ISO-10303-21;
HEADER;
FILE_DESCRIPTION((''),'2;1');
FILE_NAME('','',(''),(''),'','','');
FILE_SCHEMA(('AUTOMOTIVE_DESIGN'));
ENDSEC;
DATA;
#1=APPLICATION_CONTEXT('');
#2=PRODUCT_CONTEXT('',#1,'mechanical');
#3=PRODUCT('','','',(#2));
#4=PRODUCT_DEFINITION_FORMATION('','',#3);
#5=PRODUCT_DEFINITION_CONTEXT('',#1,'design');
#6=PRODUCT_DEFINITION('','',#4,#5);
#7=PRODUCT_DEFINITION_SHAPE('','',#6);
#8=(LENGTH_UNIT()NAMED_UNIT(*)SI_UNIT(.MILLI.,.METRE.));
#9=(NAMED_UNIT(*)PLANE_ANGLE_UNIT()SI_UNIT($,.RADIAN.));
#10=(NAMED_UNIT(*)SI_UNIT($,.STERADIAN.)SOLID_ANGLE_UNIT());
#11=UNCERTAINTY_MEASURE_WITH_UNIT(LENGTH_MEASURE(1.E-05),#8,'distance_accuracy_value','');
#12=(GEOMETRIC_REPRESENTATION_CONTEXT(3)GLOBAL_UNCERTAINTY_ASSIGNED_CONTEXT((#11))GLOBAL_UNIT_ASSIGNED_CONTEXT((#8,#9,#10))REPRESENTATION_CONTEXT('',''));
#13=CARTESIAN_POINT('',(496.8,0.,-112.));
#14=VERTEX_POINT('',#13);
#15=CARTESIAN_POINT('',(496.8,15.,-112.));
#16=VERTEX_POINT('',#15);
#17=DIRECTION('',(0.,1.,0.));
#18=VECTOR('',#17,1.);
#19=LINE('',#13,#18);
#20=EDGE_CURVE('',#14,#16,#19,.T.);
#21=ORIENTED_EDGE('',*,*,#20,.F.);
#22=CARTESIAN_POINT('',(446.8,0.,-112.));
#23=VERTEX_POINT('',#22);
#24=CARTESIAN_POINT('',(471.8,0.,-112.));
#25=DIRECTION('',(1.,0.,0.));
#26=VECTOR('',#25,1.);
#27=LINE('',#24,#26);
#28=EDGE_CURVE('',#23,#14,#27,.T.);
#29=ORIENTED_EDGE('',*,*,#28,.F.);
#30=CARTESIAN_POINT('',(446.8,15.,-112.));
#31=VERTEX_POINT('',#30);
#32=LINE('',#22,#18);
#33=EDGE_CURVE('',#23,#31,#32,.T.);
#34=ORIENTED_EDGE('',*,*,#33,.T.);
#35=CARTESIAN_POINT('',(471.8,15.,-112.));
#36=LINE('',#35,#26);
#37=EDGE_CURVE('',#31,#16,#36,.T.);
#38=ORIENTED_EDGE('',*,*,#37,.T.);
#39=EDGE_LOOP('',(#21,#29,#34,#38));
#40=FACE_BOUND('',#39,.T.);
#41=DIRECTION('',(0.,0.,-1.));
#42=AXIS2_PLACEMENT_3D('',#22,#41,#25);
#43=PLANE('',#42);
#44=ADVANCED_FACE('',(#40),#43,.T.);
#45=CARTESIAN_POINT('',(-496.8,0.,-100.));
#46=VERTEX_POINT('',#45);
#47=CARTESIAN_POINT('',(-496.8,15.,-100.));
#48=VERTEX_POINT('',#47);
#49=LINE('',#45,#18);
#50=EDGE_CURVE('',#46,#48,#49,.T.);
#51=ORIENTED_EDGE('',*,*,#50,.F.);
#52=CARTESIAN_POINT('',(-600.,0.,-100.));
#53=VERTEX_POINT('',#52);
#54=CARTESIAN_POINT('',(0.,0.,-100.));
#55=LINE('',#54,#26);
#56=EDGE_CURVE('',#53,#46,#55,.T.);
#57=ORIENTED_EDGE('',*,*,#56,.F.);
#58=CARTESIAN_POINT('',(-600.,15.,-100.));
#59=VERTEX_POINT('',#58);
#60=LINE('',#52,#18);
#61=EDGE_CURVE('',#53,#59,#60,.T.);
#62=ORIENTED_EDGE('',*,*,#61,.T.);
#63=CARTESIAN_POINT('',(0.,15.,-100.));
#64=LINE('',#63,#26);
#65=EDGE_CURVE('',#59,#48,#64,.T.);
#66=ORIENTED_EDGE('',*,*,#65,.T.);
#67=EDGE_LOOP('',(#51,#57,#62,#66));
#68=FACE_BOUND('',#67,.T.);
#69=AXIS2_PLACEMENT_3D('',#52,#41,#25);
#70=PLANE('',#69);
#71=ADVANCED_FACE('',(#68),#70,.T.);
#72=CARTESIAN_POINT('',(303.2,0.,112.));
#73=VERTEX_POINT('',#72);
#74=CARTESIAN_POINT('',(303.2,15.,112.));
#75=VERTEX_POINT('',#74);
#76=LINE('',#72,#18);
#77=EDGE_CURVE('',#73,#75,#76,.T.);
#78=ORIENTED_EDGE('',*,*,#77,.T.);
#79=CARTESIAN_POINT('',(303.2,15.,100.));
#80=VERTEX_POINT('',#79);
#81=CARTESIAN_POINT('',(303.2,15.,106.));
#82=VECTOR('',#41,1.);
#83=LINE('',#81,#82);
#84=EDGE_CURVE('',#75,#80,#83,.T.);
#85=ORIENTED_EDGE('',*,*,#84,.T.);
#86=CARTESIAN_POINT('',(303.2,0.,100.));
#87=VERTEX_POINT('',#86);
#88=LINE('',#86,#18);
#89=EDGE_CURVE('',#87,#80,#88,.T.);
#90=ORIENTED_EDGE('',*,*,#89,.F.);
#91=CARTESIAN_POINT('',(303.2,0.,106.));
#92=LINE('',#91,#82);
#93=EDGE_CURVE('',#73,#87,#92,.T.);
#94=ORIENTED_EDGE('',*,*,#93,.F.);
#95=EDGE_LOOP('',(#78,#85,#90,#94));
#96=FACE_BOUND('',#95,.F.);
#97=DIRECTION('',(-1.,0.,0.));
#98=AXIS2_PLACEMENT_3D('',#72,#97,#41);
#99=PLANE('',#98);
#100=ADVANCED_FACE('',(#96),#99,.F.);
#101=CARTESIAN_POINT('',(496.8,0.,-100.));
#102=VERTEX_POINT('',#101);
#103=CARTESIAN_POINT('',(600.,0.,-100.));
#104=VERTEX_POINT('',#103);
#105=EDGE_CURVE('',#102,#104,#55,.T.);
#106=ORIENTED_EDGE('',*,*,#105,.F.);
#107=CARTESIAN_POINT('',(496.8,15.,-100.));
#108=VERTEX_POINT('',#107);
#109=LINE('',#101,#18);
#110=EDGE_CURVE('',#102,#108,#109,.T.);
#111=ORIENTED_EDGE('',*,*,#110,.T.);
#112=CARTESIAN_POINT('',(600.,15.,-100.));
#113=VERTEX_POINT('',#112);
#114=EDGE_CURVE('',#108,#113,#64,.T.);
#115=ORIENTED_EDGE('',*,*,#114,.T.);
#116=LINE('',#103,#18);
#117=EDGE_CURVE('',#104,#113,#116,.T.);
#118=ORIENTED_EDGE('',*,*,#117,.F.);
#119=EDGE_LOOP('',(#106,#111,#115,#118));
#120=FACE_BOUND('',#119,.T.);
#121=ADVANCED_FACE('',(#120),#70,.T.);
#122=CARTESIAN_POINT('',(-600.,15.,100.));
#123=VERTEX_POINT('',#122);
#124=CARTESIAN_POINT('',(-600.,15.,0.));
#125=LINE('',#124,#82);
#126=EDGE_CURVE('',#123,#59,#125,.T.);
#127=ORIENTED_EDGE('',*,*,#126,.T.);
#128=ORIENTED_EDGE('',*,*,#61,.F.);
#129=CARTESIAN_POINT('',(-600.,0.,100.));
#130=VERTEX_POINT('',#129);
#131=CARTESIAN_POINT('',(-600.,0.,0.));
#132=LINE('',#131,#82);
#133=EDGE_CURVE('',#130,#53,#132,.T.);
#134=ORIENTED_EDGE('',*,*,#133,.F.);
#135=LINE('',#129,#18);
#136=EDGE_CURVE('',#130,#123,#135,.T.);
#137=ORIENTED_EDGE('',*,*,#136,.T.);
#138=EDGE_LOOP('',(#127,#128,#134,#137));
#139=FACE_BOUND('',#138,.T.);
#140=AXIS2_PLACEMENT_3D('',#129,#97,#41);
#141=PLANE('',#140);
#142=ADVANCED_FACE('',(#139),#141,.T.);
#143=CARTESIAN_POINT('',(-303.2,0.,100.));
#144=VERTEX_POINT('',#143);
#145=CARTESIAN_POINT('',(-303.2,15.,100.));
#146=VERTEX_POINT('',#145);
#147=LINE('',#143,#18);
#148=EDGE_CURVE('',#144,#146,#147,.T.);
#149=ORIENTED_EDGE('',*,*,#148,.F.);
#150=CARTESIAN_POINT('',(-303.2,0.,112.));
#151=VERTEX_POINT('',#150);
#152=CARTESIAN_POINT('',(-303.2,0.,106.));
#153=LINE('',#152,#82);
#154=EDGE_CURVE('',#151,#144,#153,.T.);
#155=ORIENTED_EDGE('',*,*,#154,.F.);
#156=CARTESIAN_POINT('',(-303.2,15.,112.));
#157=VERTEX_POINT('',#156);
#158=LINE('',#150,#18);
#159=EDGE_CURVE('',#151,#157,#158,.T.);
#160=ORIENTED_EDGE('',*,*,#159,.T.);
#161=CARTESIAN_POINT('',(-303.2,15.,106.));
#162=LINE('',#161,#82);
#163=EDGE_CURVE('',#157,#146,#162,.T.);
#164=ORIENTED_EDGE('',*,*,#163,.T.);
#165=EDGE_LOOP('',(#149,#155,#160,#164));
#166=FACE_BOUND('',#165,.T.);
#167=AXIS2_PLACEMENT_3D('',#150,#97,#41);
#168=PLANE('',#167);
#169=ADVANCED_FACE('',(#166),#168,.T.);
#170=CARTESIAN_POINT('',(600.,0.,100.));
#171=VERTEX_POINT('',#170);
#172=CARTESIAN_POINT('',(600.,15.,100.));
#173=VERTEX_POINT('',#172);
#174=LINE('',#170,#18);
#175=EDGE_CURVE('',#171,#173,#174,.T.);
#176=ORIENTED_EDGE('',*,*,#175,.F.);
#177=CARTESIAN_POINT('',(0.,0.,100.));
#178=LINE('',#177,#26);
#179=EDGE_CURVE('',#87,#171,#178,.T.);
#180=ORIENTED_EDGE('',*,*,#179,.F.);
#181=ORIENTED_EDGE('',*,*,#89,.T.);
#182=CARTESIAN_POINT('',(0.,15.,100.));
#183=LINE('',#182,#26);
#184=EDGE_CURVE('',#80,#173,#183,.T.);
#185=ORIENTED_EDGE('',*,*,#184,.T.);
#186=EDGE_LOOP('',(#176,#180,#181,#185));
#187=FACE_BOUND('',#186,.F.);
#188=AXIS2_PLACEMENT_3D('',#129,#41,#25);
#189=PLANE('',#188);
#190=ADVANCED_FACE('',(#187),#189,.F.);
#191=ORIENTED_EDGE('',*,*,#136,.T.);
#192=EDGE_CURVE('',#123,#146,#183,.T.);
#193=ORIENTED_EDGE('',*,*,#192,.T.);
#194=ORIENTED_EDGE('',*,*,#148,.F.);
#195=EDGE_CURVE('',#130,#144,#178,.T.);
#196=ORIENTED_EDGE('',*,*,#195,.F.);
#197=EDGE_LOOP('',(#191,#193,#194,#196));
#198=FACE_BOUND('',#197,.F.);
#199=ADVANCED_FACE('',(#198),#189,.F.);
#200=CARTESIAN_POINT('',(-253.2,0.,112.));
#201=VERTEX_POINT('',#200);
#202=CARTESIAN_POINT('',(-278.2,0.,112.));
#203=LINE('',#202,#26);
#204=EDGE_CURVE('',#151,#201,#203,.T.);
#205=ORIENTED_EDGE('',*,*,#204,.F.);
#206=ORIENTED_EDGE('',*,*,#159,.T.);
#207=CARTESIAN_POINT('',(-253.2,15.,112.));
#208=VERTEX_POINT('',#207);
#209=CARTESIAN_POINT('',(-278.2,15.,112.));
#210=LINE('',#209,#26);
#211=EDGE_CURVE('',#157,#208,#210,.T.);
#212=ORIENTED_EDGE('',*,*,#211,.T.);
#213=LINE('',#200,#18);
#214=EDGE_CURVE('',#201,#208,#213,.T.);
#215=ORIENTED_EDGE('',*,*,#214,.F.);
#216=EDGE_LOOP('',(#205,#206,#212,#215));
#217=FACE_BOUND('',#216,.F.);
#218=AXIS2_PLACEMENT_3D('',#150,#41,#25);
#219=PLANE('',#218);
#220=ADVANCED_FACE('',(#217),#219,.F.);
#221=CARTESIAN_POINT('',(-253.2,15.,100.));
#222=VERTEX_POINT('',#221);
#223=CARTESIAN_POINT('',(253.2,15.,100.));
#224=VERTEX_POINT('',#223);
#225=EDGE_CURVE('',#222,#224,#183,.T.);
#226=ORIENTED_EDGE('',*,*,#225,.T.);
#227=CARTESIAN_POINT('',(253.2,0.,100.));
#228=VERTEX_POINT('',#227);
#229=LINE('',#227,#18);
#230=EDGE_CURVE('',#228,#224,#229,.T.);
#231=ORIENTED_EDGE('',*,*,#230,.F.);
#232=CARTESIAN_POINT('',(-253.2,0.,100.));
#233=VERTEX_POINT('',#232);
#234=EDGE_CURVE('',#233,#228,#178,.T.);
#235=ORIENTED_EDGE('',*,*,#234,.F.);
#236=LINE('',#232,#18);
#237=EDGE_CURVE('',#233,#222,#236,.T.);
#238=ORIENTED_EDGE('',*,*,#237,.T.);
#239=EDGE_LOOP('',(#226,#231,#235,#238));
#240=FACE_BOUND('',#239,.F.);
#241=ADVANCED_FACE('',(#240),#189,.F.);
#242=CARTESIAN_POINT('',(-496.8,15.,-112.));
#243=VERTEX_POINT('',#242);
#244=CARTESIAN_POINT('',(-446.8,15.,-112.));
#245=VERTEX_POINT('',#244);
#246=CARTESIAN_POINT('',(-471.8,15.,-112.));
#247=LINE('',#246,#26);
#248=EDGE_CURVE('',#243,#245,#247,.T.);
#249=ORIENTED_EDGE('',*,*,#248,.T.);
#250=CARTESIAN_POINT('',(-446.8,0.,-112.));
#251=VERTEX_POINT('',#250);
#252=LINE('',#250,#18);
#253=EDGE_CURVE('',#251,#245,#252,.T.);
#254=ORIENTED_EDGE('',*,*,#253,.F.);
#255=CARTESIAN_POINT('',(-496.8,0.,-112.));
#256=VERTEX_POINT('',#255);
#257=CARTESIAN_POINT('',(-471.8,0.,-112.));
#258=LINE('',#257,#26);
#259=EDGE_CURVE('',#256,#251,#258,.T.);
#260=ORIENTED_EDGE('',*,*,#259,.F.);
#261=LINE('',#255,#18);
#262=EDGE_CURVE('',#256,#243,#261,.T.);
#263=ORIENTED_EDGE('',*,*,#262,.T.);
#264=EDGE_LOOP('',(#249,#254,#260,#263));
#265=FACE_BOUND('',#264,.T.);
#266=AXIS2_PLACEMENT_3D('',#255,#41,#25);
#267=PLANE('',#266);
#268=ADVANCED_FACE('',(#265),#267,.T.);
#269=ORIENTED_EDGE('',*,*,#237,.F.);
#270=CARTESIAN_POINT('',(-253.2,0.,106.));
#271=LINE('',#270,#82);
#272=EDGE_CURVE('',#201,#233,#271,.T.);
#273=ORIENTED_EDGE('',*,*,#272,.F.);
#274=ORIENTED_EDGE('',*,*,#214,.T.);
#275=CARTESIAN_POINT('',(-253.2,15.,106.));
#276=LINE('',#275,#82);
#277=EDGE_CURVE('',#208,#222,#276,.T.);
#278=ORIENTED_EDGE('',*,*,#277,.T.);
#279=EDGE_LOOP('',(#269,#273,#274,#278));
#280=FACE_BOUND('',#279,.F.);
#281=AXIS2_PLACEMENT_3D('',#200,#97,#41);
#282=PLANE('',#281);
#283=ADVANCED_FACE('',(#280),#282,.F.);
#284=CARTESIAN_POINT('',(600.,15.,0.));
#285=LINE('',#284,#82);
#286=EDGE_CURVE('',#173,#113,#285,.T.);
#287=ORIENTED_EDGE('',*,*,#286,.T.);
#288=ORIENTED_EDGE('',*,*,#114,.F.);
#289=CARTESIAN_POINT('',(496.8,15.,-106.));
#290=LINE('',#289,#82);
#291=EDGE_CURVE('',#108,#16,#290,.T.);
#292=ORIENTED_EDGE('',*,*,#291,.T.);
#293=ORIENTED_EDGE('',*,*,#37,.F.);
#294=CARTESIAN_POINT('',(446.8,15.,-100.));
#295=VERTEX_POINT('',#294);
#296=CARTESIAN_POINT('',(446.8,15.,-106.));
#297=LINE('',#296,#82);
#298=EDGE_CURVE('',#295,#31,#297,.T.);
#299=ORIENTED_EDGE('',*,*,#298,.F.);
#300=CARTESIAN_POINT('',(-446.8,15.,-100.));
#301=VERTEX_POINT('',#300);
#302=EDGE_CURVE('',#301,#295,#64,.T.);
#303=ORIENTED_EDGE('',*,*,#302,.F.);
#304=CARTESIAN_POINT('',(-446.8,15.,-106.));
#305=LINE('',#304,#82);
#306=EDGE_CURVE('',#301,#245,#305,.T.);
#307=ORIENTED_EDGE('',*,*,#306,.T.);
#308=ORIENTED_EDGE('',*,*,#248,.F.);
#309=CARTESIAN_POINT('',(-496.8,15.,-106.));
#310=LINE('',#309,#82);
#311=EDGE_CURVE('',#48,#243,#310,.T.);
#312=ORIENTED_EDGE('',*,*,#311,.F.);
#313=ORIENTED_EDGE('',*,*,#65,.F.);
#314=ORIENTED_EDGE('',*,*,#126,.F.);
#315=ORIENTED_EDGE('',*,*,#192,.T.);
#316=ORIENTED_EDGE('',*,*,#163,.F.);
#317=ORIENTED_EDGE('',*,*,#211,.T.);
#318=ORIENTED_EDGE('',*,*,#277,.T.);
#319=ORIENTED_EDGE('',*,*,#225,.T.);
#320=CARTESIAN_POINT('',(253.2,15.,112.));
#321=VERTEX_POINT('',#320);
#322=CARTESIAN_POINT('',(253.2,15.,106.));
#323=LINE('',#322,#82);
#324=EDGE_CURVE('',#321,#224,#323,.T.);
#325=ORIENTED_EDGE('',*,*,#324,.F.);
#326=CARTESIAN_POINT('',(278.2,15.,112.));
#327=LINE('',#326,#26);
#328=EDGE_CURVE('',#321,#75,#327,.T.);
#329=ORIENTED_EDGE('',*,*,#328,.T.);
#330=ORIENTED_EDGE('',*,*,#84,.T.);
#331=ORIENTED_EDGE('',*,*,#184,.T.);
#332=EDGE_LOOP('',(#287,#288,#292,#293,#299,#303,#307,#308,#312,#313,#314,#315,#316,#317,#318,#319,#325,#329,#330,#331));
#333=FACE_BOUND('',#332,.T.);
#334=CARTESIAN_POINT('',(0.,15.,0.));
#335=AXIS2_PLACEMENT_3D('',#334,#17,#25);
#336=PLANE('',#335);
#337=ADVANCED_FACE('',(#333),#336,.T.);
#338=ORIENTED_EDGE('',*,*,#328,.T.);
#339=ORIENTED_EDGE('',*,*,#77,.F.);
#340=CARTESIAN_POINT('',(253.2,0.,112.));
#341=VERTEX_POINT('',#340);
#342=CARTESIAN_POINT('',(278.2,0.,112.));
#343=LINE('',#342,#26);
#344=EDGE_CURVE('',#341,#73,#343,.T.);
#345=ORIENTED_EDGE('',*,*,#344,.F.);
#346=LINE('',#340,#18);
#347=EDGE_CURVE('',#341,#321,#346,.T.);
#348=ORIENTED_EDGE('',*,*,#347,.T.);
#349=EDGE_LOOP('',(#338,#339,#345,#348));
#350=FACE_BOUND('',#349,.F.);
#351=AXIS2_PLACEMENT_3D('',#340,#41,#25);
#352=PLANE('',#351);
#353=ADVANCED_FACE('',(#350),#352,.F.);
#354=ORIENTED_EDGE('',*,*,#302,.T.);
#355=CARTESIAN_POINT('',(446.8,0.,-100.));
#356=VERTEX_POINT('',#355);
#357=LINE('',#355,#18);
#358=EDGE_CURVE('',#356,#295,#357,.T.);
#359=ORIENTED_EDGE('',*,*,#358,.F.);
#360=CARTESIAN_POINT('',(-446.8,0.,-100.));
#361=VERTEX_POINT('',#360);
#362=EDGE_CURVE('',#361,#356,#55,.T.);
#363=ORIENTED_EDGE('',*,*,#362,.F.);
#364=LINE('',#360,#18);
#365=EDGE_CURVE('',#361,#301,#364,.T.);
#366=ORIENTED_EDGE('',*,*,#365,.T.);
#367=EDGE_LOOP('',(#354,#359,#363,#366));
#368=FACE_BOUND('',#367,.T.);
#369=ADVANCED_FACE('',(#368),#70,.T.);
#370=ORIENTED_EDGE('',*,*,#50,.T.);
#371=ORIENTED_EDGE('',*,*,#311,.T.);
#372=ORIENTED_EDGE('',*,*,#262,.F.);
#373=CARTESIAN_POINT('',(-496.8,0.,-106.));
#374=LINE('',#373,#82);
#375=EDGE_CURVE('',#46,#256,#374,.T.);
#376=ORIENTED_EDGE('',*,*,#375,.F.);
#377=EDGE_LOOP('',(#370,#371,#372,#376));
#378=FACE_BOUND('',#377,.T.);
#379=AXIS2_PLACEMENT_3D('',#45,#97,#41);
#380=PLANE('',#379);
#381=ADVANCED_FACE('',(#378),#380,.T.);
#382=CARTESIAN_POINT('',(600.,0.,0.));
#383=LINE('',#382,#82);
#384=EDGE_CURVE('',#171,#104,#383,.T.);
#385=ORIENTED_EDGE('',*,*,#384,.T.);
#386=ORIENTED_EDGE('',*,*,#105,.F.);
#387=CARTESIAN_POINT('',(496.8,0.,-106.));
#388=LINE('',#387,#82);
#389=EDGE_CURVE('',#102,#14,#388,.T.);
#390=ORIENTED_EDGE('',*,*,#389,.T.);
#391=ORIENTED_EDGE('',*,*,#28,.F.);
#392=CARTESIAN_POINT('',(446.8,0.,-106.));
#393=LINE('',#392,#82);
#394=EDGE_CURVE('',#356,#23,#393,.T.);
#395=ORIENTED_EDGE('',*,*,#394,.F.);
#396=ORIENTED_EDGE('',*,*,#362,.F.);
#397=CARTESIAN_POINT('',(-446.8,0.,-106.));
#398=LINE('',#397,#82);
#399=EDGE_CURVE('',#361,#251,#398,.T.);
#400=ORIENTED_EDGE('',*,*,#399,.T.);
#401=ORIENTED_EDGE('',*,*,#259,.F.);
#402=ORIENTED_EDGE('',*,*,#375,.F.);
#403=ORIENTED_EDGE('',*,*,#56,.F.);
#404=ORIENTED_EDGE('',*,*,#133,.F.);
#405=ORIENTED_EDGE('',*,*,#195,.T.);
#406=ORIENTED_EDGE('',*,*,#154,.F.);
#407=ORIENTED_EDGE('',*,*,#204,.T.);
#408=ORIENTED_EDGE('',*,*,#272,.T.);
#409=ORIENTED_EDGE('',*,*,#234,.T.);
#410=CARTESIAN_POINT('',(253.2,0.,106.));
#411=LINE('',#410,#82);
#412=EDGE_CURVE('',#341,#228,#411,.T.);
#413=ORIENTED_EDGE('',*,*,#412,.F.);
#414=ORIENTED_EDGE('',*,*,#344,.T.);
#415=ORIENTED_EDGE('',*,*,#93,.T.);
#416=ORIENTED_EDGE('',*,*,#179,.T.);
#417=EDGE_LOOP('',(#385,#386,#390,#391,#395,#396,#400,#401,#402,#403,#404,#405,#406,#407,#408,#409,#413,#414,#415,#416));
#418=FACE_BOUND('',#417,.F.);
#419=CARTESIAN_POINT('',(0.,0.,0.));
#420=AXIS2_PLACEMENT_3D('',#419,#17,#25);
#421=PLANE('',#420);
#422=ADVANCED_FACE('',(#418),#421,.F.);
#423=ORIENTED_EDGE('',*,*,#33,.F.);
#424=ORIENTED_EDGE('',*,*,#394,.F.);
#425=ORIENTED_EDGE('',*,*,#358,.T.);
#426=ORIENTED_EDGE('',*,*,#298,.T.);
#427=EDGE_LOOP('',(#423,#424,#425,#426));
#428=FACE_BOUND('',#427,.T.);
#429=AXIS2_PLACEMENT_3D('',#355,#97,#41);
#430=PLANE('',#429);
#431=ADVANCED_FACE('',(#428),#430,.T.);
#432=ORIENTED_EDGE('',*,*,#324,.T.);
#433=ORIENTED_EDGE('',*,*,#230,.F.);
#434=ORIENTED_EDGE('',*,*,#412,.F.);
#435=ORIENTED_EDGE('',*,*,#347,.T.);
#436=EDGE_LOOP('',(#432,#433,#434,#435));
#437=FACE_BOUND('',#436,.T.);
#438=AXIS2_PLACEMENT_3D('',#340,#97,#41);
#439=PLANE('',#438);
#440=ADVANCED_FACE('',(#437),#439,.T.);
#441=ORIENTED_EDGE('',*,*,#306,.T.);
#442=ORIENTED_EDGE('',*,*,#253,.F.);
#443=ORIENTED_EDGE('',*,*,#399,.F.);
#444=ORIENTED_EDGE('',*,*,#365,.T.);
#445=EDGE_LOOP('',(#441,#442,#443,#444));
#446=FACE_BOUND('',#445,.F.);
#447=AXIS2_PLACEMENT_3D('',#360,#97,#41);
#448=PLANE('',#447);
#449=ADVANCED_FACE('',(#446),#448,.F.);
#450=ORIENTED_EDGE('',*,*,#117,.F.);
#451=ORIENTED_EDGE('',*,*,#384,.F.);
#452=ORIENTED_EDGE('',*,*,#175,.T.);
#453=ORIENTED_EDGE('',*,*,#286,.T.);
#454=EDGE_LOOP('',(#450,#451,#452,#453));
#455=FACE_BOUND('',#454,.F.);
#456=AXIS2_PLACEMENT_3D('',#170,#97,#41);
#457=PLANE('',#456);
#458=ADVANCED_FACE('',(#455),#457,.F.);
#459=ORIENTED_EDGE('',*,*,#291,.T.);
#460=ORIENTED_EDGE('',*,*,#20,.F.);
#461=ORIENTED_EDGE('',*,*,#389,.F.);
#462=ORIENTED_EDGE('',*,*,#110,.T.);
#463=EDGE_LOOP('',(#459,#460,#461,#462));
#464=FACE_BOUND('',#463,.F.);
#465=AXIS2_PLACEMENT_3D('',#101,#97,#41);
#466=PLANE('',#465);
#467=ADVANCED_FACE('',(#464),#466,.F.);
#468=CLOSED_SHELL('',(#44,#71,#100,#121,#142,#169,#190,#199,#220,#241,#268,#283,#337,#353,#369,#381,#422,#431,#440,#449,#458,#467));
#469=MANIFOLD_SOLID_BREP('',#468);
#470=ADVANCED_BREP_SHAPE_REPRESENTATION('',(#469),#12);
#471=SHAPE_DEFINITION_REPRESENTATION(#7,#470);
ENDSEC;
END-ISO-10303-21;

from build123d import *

# Parameters (mm, degrees)
CROQUIS1_W              = 1200
CROQUIS1_H              = 200
SALIENTE_EXTRUIR1_DEPTH = 15
CROQUIS3_W              = 50
CROQUIS3_H              = 12
SALIENTE_EXTRUIR2_DEPTH = 15


with BuildPart() as part:
    # Croquis1 → Saliente-Extruir1 (new body)
    with BuildSketch(Plane(origin=(0, 0, 0), x_dir=(1, 0, 0), z_dir=(0, 1, 0))):
        Rectangle(CROQUIS1_W, CROQUIS1_H)
    extrude(amount=SALIENTE_EXTRUIR1_DEPTH)

    # Croquis3 → Saliente-Extruir2 (add)
    with BuildSketch(Plane(origin=(0, 0, 0), x_dir=(1, 0, 0), z_dir=(0, 1, 0))):
        with Locations((471.8, 106)):
            Rectangle(CROQUIS3_W, CROQUIS3_H)
        with Locations((-471.8, 106)):
            Rectangle(CROQUIS3_W, CROQUIS3_H)
        with Locations((-278.2, -106)):
            Rectangle(CROQUIS3_W, CROQUIS3_H)
        with Locations((278.2, -106)):
            Rectangle(CROQUIS3_W, CROQUIS3_H)
    extrude(amount=SALIENTE_EXTRUIR2_DEPTH)


solid = part.part
